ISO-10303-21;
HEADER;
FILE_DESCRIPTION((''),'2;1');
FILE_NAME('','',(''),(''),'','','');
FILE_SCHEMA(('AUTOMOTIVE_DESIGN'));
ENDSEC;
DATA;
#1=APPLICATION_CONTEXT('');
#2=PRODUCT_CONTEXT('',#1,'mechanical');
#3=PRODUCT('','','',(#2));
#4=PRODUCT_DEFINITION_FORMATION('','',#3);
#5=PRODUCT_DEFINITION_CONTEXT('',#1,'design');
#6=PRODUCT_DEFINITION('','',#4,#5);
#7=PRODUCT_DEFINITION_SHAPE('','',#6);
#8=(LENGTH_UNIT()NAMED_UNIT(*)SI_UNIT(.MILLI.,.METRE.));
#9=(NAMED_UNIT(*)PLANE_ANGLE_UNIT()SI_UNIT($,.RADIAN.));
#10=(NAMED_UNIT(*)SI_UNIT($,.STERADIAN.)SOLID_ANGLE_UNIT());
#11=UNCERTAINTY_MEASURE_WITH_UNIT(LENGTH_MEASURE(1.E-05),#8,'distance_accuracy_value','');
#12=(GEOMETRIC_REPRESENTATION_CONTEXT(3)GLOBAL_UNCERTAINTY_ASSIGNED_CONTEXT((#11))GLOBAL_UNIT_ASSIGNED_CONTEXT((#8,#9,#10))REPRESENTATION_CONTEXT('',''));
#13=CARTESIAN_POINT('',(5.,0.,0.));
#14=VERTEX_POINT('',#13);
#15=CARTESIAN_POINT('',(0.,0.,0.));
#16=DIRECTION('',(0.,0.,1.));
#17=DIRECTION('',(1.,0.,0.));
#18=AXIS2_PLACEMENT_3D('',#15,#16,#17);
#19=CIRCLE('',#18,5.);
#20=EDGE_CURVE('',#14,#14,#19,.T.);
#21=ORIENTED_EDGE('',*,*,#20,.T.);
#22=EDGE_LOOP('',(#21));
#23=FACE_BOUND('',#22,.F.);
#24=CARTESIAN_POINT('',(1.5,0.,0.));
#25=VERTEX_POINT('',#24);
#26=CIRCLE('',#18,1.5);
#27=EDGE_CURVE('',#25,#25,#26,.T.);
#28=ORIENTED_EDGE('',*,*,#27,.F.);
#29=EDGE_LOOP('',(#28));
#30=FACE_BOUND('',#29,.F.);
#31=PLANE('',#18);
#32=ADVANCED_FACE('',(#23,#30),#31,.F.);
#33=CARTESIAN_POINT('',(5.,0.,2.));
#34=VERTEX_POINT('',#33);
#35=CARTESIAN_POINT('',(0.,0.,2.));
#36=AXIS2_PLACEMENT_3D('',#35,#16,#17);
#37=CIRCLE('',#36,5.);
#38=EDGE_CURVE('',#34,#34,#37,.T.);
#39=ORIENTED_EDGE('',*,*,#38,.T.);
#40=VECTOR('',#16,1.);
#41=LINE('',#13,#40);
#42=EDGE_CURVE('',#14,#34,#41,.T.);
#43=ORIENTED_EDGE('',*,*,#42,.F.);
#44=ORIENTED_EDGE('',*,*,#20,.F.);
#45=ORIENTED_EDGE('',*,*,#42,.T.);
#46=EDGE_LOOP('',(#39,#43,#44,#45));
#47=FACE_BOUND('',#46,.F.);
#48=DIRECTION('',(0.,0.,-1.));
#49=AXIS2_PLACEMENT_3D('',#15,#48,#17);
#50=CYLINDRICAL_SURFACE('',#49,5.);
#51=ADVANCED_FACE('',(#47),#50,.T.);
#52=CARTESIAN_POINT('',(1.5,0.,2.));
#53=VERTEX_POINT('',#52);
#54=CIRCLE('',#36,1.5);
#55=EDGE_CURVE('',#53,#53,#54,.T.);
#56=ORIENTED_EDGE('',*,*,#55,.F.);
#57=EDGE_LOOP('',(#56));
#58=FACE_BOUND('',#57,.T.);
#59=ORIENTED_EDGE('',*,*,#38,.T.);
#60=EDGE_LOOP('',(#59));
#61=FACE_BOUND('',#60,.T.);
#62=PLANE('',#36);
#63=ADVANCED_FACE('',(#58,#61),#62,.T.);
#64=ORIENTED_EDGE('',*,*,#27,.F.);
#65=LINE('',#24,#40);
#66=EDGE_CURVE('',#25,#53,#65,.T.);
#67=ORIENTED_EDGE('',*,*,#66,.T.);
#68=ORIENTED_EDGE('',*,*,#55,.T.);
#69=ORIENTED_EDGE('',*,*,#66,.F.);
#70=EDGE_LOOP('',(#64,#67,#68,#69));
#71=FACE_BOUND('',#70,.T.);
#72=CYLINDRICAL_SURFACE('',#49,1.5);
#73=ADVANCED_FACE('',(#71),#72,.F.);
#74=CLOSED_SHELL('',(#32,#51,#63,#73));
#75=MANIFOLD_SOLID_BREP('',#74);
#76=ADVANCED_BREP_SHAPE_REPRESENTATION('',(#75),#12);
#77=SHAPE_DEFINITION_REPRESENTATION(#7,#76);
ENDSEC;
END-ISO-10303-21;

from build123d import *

# Parameters (mm, degrees)
SKETCH_R   = 5
SKETCH_R_2 = 1.5
PAD_DEPTH  = 2


with BuildPart() as part:
    # Sketch → Pad (new body)
    with BuildSketch(Plane.XY):
        Circle(SKETCH_R)
        Circle(SKETCH_R_2, mode=Mode.SUBTRACT)
    extrude(amount=PAD_DEPTH)


solid = part.part
